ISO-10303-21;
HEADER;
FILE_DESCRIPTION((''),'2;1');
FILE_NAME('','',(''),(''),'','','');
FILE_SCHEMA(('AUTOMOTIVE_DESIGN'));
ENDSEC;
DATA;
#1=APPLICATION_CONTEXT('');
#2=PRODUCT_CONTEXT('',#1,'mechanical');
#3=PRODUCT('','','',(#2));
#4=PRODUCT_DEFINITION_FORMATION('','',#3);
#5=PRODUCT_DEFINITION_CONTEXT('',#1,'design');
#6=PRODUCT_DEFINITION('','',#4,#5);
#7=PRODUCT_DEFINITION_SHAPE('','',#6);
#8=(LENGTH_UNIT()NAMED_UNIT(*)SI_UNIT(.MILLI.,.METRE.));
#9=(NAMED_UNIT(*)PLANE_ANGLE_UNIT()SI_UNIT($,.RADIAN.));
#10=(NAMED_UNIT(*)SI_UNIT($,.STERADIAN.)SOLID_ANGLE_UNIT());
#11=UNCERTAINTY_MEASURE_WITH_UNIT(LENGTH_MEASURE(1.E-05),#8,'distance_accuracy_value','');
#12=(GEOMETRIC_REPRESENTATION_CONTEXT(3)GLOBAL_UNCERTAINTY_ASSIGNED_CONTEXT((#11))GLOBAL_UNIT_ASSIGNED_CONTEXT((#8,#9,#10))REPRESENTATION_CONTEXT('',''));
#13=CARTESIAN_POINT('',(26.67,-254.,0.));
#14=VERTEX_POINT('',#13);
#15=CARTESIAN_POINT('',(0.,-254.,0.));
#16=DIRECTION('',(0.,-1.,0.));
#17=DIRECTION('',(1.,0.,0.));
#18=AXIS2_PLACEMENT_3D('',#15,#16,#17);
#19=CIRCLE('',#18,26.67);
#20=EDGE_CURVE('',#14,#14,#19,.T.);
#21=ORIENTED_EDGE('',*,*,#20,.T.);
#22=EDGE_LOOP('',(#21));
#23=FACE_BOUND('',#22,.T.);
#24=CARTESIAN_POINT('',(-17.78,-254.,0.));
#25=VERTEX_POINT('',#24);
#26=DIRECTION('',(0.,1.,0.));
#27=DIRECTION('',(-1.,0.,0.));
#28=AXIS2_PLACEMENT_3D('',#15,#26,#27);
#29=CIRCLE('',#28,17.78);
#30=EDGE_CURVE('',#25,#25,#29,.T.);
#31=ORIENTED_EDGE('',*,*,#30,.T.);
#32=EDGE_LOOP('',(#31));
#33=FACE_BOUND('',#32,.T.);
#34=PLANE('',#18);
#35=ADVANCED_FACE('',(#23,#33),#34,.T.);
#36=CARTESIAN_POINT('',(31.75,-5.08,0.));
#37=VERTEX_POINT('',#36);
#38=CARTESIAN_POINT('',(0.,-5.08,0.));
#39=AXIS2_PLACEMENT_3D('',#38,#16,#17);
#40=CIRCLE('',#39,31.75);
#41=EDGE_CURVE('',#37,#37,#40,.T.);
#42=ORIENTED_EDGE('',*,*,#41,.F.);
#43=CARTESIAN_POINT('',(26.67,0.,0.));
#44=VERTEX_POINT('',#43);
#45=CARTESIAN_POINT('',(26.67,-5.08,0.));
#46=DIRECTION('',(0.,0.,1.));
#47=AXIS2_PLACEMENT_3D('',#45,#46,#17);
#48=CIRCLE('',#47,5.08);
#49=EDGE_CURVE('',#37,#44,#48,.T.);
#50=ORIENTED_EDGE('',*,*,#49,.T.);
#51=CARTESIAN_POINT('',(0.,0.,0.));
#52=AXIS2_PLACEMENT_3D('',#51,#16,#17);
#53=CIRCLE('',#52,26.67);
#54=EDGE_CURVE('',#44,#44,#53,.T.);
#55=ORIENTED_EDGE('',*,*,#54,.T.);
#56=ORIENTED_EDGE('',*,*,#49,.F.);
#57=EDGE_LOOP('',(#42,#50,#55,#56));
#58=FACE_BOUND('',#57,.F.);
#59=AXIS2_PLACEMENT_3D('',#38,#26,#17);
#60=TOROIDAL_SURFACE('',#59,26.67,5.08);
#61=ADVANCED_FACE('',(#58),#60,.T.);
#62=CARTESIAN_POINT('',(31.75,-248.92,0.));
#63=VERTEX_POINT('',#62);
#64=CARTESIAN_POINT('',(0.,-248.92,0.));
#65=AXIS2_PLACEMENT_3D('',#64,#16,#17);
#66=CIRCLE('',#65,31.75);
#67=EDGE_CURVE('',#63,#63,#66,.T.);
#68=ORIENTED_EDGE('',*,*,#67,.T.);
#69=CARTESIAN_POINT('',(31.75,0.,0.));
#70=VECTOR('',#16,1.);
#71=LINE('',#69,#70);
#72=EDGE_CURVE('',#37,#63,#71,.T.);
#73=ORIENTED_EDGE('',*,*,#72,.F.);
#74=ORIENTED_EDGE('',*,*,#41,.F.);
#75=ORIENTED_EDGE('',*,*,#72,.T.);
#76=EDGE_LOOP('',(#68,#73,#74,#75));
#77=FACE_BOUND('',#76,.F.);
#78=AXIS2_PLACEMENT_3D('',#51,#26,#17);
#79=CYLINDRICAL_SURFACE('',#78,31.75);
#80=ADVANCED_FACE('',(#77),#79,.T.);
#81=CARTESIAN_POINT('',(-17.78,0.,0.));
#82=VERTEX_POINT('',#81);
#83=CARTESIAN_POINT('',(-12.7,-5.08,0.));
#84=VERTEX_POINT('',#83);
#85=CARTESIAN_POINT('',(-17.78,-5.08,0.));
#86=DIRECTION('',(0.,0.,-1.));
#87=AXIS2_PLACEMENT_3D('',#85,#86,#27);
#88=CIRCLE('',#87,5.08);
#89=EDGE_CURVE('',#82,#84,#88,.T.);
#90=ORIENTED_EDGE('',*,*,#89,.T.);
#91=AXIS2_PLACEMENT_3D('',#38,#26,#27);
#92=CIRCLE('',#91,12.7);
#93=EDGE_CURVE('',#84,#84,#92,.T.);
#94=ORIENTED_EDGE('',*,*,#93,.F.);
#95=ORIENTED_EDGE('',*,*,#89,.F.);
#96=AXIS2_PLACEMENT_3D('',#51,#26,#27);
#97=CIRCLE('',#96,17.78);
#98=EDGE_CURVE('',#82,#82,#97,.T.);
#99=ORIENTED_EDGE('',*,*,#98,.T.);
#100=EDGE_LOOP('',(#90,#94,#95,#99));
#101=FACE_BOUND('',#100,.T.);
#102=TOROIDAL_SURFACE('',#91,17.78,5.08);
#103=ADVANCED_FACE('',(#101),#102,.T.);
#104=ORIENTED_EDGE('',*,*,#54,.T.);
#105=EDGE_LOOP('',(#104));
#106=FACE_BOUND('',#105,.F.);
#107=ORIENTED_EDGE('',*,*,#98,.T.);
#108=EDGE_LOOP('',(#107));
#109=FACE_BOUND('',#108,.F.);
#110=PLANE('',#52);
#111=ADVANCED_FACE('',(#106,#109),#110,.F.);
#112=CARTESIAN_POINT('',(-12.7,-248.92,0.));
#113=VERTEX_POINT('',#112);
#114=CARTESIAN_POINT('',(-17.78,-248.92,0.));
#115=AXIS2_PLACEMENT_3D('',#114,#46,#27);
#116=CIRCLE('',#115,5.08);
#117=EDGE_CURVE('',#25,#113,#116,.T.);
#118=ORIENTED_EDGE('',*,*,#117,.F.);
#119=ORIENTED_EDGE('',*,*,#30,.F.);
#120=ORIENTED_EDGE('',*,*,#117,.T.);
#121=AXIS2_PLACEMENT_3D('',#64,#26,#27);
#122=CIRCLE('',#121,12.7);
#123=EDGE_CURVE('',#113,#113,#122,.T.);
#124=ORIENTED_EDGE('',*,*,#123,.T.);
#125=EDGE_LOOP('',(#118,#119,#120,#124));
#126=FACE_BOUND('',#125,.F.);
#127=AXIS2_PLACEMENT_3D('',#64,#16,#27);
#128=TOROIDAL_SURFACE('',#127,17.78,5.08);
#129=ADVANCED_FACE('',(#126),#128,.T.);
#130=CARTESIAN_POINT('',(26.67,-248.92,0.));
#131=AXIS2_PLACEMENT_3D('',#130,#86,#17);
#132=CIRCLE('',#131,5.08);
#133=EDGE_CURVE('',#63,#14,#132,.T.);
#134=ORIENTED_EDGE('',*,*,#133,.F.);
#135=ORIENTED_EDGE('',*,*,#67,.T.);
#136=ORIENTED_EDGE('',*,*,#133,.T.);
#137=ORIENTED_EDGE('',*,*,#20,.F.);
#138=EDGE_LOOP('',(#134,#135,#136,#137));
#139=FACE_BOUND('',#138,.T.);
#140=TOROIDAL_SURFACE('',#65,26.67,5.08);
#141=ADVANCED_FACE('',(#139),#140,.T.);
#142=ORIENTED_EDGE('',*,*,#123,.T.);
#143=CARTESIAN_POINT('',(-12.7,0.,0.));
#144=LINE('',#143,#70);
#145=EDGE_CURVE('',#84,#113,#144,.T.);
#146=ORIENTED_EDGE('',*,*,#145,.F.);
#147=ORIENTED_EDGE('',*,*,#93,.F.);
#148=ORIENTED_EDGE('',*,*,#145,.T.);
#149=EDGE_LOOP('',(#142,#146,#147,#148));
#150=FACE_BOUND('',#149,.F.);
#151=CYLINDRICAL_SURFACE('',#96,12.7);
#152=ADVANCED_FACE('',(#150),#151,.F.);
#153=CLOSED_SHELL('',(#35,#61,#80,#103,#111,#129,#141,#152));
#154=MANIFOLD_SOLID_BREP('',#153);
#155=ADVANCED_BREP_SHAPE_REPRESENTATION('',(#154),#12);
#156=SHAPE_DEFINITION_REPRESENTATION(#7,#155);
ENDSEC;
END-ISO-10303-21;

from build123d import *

# Parameters (mm, degrees)
F0_R     = 31.75
F1_DEPTH = 254
F2_R     = 5.08
F3_R     = 5.08
F4_R     = 12.7
F5_DEPTH = 254.001
F6_R     = 5.08


with BuildPart() as f1:
    # F0 (on Front) → F1 (new body)
    with BuildSketch(Plane.XZ):
        Circle(F0_R)
    extrude(amount=F1_DEPTH)

    # F2
    f2_edges = [f1.edges().sort_by_distance(p)[0] for p in [
        (-31.75, -254, 0),
    ]]
    fillet(f2_edges, radius=F2_R)

    # F3
    f3_edges = [f1.edges().sort_by_distance(p)[0] for p in [
        (-31.75, 0, 0),
    ]]
    fillet(f3_edges, radius=F3_R)

    # F4 (on face) → F5 (cut, through all)
    with BuildSketch(Plane(origin=(0, 0, 0), x_dir=(-1, 0, 0), z_dir=(0, 1, 0))):
        Circle(F4_R)
    extrude(amount=-F5_DEPTH, mode=Mode.SUBTRACT)

    # F6
    f6_edges = [f1.edges().sort_by_distance(p)[0] for p in [
        (12.7, 0, 0),
        (-12.7, -127, 0),
        (12.7, -254, 0),
    ]]
    fillet(f6_edges, radius=F6_R)


solid = f1.part
